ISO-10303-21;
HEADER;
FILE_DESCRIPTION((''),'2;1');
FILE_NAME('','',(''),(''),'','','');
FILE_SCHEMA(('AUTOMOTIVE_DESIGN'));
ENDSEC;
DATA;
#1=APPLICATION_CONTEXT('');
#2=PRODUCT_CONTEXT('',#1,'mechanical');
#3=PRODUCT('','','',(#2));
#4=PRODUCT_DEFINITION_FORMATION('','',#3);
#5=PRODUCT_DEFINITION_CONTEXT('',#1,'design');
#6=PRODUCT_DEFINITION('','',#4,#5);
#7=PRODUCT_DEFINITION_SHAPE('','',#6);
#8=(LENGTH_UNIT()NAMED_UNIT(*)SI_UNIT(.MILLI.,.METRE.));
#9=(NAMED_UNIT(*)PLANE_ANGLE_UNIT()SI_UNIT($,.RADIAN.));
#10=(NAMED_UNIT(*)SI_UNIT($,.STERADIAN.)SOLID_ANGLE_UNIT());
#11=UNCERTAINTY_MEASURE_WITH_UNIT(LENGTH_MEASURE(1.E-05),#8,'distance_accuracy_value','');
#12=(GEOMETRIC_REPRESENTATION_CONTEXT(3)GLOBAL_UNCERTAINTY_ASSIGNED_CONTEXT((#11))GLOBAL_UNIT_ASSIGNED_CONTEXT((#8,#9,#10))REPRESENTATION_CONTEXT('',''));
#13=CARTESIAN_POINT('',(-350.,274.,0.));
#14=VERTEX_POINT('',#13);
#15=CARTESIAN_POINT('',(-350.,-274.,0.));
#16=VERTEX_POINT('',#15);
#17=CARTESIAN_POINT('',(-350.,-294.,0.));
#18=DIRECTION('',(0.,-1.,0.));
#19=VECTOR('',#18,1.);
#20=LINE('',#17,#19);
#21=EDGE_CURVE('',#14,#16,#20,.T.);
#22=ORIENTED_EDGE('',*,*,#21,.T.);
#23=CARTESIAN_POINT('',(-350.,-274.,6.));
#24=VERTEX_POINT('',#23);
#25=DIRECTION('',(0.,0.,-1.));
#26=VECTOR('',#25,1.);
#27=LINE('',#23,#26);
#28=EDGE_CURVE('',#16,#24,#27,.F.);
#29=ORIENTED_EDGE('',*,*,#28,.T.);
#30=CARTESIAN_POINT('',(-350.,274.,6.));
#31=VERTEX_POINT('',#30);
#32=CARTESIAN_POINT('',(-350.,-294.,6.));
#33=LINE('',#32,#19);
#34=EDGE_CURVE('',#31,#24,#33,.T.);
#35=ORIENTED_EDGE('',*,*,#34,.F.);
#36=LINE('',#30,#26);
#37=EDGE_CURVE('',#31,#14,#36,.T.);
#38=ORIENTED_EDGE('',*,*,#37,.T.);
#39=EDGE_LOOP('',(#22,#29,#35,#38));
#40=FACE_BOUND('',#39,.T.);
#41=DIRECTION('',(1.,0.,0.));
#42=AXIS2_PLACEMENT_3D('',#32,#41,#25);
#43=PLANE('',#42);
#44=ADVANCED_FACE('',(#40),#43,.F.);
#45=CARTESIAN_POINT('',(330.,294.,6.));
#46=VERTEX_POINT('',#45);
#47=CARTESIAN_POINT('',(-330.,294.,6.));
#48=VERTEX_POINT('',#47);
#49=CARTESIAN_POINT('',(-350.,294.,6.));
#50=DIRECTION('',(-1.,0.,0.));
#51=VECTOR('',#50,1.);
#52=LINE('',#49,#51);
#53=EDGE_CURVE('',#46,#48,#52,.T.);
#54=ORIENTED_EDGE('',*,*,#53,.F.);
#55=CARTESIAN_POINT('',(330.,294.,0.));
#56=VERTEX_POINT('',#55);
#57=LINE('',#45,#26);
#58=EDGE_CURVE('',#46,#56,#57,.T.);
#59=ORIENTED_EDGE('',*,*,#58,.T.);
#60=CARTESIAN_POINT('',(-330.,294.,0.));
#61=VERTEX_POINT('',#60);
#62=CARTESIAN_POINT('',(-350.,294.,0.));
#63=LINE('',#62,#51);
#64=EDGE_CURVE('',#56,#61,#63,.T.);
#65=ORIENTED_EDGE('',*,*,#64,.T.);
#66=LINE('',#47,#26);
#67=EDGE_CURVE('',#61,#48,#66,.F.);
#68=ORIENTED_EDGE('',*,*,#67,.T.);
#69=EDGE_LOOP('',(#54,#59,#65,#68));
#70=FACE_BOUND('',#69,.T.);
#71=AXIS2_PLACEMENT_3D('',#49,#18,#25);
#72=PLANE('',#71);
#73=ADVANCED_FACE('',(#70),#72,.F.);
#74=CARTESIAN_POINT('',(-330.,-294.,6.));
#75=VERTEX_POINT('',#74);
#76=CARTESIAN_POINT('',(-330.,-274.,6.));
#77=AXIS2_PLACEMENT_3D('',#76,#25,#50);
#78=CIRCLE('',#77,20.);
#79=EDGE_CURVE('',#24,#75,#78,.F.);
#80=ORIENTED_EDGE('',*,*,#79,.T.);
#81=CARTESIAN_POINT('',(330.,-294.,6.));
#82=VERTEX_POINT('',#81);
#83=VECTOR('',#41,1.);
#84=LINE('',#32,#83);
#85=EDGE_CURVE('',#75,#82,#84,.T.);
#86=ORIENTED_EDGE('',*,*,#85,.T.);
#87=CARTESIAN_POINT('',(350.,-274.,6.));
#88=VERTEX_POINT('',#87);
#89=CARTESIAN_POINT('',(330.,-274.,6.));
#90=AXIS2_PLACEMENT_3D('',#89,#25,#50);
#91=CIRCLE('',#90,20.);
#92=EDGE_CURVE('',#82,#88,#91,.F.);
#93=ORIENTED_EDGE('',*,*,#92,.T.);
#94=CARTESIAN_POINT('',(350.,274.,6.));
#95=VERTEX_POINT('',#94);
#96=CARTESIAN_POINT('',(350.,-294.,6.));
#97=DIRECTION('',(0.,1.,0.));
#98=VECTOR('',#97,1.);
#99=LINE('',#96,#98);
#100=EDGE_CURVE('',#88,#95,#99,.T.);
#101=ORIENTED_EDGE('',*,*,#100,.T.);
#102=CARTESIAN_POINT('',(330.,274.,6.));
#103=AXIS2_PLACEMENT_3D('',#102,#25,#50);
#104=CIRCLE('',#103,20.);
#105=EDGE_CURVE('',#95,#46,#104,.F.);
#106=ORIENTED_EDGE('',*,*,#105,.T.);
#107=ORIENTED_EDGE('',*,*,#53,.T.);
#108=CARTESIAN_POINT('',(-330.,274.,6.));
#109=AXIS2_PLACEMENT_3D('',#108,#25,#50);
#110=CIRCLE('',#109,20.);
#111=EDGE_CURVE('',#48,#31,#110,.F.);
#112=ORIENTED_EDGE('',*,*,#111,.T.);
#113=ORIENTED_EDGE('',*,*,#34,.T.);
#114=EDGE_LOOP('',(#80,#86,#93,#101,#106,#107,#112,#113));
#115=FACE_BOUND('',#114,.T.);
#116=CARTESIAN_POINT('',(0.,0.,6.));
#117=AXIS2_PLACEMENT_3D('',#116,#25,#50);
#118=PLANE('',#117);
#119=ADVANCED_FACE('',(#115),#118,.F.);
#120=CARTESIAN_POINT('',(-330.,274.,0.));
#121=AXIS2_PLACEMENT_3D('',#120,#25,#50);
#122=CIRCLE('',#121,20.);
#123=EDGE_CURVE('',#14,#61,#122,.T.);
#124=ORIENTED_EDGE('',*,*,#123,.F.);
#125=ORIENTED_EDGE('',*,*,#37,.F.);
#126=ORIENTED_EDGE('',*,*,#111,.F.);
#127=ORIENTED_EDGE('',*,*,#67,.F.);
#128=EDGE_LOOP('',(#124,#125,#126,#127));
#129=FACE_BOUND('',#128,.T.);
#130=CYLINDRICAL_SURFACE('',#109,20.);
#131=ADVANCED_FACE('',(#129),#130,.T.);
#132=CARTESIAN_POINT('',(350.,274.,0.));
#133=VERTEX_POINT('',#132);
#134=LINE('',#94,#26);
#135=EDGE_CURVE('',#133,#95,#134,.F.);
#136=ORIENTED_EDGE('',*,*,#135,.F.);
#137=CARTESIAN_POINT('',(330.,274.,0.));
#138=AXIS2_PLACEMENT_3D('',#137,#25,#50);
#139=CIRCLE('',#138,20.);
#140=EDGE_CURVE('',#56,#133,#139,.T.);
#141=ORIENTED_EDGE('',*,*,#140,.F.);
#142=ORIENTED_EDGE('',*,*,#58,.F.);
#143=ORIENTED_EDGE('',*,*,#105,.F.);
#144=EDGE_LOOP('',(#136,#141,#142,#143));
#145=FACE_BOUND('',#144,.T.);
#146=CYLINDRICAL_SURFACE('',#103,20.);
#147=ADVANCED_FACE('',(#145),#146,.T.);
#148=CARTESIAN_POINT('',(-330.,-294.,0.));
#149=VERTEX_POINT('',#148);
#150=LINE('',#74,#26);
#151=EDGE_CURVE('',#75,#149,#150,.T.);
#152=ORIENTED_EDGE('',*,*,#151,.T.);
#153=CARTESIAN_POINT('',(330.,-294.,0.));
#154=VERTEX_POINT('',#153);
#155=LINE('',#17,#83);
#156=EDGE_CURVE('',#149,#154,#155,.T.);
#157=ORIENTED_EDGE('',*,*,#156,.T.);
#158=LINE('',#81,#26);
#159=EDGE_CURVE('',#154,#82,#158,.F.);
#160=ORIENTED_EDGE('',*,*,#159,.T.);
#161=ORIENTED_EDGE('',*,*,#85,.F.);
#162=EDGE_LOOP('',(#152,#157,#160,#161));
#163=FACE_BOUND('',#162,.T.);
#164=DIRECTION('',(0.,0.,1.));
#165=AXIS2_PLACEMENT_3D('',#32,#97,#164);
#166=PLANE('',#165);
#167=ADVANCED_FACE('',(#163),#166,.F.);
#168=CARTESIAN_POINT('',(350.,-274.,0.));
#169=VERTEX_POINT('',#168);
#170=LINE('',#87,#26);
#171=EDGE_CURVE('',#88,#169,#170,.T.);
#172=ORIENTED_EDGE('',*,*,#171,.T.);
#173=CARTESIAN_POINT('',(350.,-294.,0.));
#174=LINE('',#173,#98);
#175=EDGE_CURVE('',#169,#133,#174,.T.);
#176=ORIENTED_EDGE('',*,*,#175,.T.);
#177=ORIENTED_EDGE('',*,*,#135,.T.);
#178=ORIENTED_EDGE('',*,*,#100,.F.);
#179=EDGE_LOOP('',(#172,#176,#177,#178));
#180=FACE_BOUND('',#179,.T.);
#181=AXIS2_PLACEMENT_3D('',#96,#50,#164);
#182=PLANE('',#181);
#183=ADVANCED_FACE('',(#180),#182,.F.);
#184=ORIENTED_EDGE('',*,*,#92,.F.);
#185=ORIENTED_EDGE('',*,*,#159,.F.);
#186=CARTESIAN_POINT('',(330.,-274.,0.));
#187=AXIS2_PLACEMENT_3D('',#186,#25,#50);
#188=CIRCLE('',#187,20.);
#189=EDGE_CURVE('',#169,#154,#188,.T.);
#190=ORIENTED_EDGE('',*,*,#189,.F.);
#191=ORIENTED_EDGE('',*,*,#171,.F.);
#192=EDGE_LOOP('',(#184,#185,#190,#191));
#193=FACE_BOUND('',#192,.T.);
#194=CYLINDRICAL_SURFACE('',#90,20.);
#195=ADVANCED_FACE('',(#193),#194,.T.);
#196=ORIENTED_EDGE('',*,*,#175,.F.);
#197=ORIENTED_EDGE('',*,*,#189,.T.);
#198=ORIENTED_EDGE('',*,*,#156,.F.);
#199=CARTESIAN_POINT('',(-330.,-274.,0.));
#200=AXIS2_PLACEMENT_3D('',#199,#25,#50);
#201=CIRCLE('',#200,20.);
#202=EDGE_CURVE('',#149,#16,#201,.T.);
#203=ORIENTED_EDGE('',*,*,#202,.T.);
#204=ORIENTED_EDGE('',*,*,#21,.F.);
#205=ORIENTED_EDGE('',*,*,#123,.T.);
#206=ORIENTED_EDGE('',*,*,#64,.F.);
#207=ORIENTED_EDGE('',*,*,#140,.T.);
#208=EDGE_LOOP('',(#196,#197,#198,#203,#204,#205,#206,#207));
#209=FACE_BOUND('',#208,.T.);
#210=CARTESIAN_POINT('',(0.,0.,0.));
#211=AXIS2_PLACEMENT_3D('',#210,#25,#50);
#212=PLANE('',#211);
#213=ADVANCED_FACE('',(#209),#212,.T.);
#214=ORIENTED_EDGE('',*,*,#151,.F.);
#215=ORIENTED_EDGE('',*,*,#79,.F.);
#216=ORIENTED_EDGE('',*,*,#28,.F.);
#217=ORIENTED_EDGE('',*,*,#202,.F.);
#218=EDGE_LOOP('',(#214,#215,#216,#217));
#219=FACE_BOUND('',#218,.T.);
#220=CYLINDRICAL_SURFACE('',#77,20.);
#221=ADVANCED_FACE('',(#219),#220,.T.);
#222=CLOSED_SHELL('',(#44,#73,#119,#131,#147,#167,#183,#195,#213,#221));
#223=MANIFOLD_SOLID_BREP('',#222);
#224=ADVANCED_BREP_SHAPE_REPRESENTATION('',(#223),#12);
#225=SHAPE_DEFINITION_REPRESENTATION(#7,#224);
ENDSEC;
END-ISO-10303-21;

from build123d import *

# Parameters (mm, degrees)
SKETCH1_W           = 700
SKETCH1_H           = 588
BOSS_EXTRUDE1_DEPTH = 6
FILLET1_R           = 20


with BuildPart() as part:
    # Sketch1 → Boss-Extrude1 (new body)
    with BuildSketch(Plane.XY):
        Rectangle(SKETCH1_W, SKETCH1_H)
    extrude(amount=BOSS_EXTRUDE1_DEPTH)

    # Fillet1
    fillet1_edges = [part.edges().sort_by_distance(p)[0] for p in [
        (350, -294, 3),
        (-350, -294, 3),
        (-350, 294, 3),
        (350, 294, 3),
    ]]
    fillet(fillet1_edges, radius=FILLET1_R)


solid = part.part
